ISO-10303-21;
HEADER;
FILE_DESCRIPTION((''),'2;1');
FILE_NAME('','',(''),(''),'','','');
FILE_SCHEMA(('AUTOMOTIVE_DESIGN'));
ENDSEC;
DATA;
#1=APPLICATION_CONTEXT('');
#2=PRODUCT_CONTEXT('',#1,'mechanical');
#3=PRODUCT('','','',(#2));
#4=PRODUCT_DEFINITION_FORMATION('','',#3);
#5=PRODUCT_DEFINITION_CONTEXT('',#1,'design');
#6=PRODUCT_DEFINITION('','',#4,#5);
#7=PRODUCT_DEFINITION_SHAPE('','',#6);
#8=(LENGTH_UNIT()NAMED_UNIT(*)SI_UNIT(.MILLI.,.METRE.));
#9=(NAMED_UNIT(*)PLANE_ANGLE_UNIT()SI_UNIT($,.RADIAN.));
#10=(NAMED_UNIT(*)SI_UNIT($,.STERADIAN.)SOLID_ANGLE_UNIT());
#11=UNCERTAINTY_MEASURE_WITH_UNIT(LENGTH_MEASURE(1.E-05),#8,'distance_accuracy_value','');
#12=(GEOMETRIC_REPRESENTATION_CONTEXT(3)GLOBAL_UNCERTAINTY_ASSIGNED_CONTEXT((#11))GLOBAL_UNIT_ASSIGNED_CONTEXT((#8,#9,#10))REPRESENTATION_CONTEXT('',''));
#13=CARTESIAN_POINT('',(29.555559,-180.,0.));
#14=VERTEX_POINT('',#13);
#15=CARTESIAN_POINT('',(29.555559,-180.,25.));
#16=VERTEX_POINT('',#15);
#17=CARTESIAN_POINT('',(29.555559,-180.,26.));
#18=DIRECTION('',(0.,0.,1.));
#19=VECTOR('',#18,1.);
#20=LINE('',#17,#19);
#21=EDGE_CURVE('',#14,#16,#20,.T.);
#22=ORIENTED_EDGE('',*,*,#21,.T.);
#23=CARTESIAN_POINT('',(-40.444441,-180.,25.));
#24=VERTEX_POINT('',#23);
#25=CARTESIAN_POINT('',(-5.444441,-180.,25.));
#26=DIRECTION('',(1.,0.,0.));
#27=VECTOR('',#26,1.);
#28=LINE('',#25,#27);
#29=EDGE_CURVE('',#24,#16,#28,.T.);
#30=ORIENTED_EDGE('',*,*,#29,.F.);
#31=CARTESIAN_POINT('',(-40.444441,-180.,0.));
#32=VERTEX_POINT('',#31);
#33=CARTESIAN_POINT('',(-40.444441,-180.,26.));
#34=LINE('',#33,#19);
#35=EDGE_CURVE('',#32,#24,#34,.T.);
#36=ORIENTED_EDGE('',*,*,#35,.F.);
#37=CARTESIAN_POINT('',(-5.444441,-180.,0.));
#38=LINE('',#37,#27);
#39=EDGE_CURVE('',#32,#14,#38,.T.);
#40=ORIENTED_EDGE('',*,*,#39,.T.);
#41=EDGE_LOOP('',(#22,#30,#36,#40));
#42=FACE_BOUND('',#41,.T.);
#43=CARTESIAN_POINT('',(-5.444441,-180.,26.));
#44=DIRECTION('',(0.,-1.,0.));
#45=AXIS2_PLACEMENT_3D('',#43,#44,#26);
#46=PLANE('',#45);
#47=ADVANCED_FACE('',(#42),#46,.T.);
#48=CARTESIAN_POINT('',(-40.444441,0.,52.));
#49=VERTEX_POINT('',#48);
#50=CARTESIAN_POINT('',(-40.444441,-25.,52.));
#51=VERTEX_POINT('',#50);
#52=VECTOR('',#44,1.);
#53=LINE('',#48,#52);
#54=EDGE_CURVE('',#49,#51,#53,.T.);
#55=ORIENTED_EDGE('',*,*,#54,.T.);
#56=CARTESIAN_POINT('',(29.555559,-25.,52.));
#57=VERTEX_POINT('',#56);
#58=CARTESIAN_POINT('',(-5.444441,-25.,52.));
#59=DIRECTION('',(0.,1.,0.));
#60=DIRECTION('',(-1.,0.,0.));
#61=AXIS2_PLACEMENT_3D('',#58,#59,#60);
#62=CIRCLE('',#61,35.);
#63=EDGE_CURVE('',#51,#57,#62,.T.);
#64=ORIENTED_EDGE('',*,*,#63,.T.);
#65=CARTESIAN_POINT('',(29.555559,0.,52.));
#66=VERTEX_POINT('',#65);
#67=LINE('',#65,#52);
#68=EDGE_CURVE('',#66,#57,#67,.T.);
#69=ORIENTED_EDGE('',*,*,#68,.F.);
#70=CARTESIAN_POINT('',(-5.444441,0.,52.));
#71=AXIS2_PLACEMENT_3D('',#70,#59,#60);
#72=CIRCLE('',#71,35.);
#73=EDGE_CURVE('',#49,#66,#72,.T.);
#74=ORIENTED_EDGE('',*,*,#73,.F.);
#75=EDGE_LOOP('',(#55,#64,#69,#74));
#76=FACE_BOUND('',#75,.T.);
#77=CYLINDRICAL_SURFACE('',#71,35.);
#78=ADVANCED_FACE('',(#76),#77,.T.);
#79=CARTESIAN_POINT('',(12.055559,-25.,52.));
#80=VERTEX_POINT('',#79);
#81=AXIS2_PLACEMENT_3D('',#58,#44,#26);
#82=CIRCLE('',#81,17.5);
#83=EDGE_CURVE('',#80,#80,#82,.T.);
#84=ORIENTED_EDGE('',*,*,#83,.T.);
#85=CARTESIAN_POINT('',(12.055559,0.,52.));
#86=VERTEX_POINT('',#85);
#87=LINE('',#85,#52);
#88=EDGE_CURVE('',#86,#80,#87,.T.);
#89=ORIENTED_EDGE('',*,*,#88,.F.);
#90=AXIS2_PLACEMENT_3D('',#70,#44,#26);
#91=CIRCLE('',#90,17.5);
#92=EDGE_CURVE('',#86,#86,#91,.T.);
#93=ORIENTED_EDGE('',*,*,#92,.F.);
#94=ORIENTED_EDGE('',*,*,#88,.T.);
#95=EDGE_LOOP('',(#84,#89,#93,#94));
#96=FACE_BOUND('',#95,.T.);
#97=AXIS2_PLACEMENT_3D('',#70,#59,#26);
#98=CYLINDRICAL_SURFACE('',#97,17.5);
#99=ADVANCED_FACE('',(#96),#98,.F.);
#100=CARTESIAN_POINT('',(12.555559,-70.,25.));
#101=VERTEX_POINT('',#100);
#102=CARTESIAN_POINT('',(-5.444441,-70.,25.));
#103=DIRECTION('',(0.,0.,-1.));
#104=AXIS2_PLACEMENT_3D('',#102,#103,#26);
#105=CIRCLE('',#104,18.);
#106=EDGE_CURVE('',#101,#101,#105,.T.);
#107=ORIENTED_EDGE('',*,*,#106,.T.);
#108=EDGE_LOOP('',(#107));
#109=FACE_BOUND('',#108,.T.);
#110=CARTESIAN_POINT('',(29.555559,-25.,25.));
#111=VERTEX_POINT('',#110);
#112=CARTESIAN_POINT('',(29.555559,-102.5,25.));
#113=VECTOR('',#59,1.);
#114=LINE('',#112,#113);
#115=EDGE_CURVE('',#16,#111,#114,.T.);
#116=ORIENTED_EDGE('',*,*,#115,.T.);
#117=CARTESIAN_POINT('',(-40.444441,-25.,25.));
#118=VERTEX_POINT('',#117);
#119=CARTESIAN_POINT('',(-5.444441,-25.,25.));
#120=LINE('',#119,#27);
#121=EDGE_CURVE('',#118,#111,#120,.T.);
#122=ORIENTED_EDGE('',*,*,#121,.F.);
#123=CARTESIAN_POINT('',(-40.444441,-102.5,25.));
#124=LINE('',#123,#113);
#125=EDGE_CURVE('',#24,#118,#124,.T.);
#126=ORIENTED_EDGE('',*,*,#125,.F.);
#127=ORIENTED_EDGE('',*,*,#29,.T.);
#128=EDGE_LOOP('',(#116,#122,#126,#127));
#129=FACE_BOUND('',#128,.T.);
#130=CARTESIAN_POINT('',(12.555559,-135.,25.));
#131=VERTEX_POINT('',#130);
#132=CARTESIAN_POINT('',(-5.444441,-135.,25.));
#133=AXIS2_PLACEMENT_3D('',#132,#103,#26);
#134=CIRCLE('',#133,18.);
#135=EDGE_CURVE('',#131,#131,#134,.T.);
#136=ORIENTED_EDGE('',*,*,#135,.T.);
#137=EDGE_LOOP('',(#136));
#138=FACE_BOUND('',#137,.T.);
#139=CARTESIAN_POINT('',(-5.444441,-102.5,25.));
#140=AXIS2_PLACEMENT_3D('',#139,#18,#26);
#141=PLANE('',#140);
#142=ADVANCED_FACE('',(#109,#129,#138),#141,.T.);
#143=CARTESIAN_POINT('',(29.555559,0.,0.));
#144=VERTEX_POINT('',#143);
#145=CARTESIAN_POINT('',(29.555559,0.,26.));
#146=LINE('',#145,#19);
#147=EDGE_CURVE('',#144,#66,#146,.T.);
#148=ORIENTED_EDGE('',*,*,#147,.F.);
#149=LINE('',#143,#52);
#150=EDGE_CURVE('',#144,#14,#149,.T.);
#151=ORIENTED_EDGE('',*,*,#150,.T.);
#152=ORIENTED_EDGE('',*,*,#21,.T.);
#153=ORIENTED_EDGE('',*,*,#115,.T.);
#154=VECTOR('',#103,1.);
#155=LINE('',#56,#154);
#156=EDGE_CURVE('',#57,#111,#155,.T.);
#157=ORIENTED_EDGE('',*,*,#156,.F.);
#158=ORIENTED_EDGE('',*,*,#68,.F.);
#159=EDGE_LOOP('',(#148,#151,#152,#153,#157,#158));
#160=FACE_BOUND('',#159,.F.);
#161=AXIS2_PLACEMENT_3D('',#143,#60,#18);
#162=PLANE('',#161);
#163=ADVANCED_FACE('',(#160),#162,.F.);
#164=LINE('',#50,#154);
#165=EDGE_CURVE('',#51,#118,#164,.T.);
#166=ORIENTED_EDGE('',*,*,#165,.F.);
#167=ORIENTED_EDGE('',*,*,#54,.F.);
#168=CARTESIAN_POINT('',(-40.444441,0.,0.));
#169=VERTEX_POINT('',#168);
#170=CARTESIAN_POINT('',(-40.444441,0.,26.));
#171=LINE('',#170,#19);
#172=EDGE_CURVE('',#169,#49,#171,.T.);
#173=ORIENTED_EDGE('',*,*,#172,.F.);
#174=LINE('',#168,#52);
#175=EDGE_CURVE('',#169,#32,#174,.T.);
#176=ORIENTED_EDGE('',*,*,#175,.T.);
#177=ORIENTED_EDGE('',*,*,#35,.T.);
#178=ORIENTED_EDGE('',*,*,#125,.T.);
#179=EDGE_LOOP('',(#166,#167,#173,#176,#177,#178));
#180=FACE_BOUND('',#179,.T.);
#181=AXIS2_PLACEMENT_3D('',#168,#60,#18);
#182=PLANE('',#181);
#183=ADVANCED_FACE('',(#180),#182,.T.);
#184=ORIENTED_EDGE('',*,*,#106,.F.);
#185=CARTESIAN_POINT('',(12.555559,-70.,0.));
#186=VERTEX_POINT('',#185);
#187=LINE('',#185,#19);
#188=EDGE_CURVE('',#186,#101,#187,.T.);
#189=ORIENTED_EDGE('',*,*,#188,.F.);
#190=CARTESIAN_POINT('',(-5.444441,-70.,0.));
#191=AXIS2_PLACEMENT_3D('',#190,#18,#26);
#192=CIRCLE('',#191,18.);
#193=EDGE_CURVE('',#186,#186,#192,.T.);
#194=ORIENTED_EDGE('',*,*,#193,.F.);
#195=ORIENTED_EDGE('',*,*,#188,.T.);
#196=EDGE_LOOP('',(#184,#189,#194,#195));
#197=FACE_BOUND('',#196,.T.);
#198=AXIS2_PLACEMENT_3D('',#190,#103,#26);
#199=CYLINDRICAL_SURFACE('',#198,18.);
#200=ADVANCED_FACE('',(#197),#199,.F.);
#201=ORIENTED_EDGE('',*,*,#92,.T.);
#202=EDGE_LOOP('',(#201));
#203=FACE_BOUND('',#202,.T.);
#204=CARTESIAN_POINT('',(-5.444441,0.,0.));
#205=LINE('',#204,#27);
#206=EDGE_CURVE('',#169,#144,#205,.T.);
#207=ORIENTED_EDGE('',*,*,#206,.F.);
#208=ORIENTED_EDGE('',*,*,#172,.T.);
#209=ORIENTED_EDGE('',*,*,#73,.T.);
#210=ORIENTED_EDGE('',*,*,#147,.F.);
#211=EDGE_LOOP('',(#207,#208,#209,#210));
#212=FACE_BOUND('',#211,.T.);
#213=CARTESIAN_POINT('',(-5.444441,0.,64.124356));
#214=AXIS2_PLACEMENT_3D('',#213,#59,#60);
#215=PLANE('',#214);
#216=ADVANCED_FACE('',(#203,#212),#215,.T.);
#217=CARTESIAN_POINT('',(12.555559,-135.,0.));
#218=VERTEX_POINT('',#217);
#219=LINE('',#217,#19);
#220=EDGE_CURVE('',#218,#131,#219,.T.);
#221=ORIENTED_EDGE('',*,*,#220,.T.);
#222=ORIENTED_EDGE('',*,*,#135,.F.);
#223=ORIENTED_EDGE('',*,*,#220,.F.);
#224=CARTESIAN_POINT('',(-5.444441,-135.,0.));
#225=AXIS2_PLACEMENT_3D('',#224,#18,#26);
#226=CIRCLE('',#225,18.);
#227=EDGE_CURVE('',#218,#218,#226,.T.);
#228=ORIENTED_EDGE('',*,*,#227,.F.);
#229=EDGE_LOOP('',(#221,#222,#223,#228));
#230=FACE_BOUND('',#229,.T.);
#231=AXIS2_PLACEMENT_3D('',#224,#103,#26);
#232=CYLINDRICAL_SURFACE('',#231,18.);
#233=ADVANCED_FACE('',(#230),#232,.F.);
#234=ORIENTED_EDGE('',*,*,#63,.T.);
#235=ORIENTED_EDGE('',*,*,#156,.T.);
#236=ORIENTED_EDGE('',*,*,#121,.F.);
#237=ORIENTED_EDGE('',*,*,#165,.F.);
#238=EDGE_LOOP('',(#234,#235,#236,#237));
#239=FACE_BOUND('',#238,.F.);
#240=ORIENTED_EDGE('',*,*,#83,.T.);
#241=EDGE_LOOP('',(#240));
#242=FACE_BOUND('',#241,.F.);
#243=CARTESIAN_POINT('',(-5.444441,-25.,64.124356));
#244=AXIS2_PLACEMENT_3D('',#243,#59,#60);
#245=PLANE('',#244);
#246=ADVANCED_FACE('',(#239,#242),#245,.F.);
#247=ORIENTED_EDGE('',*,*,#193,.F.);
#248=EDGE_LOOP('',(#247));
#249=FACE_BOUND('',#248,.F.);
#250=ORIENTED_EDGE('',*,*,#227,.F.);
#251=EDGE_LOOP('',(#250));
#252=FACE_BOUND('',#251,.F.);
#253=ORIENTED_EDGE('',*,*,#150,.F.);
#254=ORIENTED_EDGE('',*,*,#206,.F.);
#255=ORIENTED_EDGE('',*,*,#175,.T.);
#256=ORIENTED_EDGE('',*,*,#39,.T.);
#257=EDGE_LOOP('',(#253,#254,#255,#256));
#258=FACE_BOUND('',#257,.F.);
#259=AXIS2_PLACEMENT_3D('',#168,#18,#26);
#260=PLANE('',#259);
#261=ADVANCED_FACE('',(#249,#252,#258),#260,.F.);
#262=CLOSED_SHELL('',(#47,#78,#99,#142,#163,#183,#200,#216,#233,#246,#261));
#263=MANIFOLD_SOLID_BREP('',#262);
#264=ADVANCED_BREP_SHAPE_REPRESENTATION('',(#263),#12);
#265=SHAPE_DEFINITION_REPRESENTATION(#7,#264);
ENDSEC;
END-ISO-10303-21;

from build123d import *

# Parameters (mm, degrees)
F0_W     = 70
F0_H     = 52
F1_DEPTH = 180
F2_W     = 70
F2_H     = 155
F3_DEPTH = 27
F5_DEPTH = 25
F6_R     = 17.5
F7_DEPTH = 25
F8_R     = 18
F9_DEPTH = 87.001


with BuildPart() as f1:
    # F0 (on Front) → F1 (new body)
    with BuildSketch(Plane.XZ):
        with Locations((-5.444441, 26)):
            Rectangle(F0_W, F0_H)
    extrude(amount=F1_DEPTH)

    # F2 (on face) → F3 (cut)
    with BuildSketch(Plane.XY.offset(52)):
        with Locations((-5.444441, -102.5)):
            Rectangle(F2_W, F2_H)
    extrude(amount=-F3_DEPTH, mode=Mode.SUBTRACT)

    # F4 (on face) → F5 (join)
    with BuildSketch(Plane(origin=(0, 0, 0), x_dir=(-1, 0, 0), z_dir=(0, 1, 0))):
        with BuildLine():
            Line((-29.555559, 52), (40.444441, 52))
            ThreePointArc((40.444441, 52), (5.444441, 87), (-29.555559, 52))
        make_face()
    extrude(amount=-F5_DEPTH)

    # F6 (on Front) → F7 (cut)
    with BuildSketch(Plane.XZ):
        with Locations((-5.444441, 52)):
            Circle(F6_R)
    extrude(amount=F7_DEPTH, mode=Mode.SUBTRACT)

    # F8 (on Top) → F9 (cut, through all)
    with BuildSketch(Plane.XY):
        with Locations((-5.444441, -70)):
            Circle(F8_R)
        with Locations((-5.444441, -135)):
            Circle(F8_R)
    extrude(amount=F9_DEPTH, mode=Mode.SUBTRACT)


solid = f1.part
